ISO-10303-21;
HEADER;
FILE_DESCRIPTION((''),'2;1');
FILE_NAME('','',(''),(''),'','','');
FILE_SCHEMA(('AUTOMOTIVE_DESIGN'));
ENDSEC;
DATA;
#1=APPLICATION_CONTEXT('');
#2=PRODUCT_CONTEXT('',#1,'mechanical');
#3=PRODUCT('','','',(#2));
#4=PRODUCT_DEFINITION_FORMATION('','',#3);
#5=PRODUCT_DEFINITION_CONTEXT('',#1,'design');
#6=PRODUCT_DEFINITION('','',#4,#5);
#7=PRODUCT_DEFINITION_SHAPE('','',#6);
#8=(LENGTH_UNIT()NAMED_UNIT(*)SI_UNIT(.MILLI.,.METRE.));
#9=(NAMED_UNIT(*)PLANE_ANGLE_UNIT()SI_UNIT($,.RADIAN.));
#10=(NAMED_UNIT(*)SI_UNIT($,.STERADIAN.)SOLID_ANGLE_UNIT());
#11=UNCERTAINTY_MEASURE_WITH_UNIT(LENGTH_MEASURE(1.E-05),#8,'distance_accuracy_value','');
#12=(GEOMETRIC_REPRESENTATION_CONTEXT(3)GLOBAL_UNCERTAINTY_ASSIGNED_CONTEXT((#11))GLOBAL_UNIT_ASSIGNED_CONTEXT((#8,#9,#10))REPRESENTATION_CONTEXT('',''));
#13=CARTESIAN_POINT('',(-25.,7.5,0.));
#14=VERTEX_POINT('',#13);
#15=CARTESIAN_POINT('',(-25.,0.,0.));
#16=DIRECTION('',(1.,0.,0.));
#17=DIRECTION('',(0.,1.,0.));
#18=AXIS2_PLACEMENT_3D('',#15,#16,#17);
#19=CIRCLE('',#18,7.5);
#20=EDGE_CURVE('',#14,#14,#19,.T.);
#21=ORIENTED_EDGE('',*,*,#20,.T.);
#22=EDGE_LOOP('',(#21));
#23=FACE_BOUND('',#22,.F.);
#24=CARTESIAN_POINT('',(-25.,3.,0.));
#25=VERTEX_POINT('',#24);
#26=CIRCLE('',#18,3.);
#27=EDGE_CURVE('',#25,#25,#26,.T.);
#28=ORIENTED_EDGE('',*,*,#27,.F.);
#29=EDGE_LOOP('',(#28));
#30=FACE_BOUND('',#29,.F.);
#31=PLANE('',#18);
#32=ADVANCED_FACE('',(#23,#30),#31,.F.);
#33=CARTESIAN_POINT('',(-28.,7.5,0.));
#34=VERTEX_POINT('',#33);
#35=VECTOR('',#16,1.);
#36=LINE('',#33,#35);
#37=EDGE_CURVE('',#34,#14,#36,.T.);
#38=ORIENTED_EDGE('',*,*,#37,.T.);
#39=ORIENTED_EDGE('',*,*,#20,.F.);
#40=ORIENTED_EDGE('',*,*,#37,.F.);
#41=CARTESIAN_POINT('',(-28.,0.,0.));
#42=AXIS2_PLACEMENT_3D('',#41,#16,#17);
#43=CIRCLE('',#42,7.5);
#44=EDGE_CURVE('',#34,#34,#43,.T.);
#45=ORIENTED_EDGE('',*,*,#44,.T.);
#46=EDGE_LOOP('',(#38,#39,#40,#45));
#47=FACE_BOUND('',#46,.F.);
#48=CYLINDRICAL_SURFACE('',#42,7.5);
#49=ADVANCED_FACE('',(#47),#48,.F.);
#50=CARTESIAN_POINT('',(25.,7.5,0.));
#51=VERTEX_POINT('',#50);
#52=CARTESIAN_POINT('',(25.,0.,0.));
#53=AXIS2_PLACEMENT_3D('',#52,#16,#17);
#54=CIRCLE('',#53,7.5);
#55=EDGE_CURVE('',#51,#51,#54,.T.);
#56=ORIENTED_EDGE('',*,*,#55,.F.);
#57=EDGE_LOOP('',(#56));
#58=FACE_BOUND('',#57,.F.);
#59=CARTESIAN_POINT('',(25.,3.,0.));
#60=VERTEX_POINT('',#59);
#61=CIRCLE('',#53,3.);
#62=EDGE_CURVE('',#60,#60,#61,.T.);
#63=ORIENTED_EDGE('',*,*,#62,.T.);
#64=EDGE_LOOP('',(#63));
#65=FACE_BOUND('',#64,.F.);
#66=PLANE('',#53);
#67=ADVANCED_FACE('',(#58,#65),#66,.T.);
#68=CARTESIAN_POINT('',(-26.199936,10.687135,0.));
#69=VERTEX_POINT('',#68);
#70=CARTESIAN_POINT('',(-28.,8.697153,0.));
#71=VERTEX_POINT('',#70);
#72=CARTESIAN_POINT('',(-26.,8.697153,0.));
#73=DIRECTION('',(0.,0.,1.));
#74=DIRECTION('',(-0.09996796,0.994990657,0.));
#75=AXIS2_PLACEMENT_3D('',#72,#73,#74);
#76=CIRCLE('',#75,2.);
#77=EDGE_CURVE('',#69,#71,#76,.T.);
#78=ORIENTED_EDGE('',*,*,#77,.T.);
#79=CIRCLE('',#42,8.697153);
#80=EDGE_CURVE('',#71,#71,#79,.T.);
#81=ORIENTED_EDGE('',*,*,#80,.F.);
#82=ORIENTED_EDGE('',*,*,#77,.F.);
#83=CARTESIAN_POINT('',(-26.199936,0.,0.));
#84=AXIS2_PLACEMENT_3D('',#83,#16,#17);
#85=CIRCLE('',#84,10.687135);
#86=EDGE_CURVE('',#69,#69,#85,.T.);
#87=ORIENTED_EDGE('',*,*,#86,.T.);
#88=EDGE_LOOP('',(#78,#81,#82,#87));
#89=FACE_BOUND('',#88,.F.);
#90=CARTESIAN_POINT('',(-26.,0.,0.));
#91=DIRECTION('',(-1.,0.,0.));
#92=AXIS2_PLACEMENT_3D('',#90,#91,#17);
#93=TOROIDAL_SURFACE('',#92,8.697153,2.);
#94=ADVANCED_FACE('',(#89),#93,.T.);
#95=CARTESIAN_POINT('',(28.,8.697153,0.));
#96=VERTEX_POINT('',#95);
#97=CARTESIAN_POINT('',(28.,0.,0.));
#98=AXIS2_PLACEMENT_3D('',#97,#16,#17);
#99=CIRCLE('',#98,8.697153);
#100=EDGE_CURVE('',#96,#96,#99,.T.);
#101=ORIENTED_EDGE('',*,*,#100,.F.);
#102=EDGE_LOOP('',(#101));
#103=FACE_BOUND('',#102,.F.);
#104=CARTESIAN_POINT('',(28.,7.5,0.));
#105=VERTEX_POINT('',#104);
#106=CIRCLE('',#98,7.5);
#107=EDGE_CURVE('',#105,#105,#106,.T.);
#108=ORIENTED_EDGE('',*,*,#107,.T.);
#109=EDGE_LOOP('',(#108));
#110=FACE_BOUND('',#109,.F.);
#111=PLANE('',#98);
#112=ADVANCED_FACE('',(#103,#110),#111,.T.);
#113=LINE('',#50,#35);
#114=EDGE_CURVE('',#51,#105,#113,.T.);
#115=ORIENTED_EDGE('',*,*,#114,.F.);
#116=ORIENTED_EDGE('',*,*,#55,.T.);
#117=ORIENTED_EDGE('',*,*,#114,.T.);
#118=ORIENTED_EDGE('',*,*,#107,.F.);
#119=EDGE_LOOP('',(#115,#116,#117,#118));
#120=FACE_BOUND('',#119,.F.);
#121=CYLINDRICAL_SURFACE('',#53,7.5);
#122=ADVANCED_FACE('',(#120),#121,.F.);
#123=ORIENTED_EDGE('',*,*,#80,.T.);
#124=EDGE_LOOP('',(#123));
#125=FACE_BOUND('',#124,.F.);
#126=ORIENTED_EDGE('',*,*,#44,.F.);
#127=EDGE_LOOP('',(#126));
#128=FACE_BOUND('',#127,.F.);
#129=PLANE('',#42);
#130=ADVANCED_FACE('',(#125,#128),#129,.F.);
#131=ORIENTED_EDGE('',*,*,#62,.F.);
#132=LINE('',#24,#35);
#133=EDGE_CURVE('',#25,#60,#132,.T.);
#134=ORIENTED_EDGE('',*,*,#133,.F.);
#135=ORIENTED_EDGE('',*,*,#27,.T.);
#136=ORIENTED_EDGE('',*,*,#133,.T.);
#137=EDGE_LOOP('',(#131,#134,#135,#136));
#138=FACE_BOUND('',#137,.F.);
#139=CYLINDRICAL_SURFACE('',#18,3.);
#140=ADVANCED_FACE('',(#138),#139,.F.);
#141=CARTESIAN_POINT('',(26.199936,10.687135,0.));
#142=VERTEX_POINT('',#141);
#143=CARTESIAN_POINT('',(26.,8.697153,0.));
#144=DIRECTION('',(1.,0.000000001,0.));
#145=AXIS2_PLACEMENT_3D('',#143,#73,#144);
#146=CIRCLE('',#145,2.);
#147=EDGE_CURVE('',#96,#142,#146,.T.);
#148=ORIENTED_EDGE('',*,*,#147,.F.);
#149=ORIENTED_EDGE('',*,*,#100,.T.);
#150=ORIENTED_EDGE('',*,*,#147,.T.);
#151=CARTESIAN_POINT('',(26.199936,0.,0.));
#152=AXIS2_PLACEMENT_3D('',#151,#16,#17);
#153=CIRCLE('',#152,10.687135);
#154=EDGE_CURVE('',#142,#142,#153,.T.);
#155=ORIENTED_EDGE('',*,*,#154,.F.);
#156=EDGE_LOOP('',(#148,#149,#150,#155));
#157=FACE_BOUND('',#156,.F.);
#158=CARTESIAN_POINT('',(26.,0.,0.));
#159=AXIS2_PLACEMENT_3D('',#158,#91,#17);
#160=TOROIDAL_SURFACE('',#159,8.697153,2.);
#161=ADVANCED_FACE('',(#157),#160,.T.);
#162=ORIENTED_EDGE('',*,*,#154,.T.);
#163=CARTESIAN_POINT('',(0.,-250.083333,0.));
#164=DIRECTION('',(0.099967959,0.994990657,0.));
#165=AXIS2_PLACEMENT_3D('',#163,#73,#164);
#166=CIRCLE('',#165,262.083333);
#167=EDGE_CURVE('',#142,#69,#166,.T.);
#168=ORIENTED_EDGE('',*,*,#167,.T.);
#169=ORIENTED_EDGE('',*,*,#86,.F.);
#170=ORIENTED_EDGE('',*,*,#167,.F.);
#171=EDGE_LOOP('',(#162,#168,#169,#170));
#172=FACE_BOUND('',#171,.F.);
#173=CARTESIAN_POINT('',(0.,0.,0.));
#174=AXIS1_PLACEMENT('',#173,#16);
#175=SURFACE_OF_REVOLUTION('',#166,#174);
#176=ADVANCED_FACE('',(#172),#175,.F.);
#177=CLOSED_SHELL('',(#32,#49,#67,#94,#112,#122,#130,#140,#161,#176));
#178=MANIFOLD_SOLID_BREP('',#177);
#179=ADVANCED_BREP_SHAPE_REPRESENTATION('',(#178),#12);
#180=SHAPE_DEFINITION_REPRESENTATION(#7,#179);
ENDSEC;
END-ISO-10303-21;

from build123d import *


with BuildPart() as part:
    # Sketch1 → Revolve1 (revolve)
    with BuildSketch(Plane.XY):
        with BuildLine():
            Line((-25, 3), (25, 3))
            Line((25, 3), (25, 7.5))
            Line((25, 7.5), (28, 7.5))
            Line((28, 7.5), (28, 8.69715333))
            ThreePointArc((28, 8.69715333), (27.483218095, 10.038817998), (26.199935918, 10.687134644))
            ThreePointArc((26.199935918, 10.687134644), (0, 12), (-26.199935918, 10.687134644))
            ThreePointArc((-26.199935918, 10.687134644), (-27.483218095, 10.038817998), (-28, 8.69715333))
            Line((-28, 8.69715333), (-28, 7.5))
            Line((-28, 7.5), (-25, 7.5))
            Line((-25, 7.5), (-25, 3))
        make_face()
    revolve(axis=Axis((0, 0, 0), (1, 0, 0)))


solid = part.part
